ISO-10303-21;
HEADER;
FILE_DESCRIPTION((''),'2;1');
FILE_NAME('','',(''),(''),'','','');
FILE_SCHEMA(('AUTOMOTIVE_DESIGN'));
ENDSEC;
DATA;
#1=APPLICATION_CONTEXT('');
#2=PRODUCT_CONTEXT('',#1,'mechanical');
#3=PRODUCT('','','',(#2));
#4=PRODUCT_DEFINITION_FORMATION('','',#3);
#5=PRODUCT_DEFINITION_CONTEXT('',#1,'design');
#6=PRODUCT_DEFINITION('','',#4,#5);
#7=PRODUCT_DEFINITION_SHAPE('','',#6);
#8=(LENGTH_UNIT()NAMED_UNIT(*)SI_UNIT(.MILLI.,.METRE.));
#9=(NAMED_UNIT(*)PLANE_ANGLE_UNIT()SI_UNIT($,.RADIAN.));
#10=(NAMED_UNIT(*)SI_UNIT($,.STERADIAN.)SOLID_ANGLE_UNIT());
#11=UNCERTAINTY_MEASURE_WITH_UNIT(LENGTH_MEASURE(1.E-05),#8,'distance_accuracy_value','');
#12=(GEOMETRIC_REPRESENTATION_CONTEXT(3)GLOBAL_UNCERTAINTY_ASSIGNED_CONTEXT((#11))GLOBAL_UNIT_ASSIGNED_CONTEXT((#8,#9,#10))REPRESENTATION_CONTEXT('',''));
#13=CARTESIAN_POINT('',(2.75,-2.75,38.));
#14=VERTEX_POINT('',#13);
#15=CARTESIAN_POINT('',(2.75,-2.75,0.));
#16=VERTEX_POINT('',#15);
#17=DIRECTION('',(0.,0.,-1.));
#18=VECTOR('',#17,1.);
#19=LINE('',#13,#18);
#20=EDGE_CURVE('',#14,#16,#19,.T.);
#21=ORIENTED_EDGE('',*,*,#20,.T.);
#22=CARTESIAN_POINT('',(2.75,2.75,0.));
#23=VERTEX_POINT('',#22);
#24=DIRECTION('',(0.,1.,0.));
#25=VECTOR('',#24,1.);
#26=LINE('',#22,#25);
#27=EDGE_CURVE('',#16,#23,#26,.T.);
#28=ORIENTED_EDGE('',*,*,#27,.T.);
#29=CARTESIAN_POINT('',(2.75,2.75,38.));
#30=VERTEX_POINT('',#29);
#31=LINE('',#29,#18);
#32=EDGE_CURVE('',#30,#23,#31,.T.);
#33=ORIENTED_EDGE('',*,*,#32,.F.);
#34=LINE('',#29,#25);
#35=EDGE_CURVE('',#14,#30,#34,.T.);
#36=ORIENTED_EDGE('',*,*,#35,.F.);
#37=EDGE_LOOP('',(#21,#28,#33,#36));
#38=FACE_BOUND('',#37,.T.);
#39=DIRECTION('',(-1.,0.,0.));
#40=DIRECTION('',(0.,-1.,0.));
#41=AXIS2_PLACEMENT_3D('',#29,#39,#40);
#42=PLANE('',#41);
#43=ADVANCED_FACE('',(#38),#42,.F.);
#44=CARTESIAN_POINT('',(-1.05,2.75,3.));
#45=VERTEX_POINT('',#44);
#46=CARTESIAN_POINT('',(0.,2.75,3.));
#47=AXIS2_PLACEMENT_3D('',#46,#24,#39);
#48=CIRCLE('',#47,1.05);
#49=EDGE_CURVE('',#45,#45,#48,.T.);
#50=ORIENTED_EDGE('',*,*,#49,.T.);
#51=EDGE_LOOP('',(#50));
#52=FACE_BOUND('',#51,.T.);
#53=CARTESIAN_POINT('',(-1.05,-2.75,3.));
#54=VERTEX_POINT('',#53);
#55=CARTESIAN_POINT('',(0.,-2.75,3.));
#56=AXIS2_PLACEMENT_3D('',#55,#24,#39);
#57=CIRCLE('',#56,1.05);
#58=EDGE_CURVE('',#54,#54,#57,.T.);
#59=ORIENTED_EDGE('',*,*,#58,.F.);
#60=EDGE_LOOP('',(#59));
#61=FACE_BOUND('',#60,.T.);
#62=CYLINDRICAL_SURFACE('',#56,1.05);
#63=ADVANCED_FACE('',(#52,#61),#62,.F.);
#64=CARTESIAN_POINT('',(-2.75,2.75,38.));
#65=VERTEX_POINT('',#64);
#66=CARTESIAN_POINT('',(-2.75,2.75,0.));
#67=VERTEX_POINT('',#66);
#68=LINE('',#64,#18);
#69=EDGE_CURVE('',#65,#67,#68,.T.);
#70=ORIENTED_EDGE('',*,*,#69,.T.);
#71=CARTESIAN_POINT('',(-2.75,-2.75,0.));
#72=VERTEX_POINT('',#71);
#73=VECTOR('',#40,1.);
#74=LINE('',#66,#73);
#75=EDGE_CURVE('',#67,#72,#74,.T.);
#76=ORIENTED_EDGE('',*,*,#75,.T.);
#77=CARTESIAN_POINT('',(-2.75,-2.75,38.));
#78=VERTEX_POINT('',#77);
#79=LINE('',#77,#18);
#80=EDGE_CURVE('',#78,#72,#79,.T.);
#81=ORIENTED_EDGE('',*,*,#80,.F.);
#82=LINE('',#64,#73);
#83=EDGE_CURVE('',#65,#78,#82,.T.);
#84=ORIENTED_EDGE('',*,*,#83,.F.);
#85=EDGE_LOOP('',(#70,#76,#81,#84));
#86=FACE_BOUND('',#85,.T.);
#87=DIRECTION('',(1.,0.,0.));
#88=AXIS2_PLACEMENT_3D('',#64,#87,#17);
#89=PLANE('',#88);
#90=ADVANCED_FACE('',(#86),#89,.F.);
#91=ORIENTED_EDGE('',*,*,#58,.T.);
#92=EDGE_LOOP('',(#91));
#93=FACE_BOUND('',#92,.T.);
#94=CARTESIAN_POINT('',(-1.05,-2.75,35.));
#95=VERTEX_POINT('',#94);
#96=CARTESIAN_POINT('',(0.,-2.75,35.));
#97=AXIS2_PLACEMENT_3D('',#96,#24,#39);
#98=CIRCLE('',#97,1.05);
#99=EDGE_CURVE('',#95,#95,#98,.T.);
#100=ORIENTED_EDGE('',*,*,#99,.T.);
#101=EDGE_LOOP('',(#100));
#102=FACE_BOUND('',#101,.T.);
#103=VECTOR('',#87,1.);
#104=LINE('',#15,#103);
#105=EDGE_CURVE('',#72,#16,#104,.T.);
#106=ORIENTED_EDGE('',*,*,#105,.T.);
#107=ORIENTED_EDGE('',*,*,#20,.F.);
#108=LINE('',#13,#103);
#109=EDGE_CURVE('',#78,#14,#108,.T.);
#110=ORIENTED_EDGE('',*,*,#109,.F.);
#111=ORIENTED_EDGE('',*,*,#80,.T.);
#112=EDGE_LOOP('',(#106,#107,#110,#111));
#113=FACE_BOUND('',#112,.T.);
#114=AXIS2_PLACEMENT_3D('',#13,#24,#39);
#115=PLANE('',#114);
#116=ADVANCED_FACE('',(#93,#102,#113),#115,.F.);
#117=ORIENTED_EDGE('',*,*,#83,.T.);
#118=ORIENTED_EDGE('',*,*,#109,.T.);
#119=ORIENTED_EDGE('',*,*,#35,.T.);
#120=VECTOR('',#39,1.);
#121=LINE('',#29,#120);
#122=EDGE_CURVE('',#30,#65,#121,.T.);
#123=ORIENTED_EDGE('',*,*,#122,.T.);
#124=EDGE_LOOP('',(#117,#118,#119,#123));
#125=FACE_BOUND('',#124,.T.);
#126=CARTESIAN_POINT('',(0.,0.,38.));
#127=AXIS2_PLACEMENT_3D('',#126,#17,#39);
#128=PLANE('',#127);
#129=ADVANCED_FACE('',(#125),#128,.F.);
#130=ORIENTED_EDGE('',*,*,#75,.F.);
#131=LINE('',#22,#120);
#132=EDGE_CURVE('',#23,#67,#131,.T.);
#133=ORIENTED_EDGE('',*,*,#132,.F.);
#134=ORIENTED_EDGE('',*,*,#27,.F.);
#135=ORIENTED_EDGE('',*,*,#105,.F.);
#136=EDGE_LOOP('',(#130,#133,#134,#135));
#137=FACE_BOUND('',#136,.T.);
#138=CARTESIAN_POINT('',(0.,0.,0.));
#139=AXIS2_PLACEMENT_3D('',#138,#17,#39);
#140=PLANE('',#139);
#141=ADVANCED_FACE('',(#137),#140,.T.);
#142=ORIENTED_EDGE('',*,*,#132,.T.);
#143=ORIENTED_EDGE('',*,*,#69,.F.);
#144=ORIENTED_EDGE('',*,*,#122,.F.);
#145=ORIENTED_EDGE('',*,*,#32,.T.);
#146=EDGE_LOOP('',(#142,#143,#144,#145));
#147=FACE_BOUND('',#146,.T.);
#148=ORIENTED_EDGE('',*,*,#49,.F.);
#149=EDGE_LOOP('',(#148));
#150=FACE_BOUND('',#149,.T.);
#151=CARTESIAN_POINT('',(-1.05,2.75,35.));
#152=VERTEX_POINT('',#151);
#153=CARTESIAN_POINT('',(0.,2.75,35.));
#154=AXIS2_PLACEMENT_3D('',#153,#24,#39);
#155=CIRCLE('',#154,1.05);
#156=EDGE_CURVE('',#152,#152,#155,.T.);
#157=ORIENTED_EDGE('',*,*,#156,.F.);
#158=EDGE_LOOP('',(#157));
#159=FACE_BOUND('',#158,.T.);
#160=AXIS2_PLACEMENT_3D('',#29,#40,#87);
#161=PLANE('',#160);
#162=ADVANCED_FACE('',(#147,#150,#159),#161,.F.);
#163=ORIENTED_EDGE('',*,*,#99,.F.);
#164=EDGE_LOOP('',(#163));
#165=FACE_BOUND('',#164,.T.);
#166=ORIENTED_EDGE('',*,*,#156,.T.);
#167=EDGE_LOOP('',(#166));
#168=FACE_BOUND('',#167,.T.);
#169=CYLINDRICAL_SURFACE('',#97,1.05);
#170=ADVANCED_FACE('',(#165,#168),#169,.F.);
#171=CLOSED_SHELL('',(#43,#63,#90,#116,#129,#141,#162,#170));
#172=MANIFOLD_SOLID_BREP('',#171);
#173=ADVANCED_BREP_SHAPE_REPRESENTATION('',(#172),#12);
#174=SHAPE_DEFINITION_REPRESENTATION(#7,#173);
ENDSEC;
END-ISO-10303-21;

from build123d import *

# Parameters (mm, degrees)
SKETCH_1_W          = 5.5
SKETCH_1_H          = 5.5
EXTRUDE_1_DEPTH     = 38
SKETCH_2_R          = 1.05
CUT_EXTRUDE_1_DEPTH = 5.5


with BuildPart() as part:
    # ｽｹｯﾁ1 → ﾎﾞｽ - 押し出し1 (new body)
    with BuildSketch(Plane.XY):
        Rectangle(SKETCH_1_W, SKETCH_1_H)
    extrude(amount=EXTRUDE_1_DEPTH)

    # ｽｹｯﾁ2 → ｶｯﾄ - 押し出し1 (cut)
    with BuildSketch(Plane(origin=(0, 2.75, 0), x_dir=(1, 0, 0), z_dir=(0, 1, 0))):
        with Locations(Location((0, -3, 0), (0, 0, 180))):
            Circle(SKETCH_2_R)
        with Locations(Location((0, -35, 0), (0, 0, 180))):
            Circle(SKETCH_2_R)
    extrude(amount=-CUT_EXTRUDE_1_DEPTH, mode=Mode.SUBTRACT)


solid = part.part
